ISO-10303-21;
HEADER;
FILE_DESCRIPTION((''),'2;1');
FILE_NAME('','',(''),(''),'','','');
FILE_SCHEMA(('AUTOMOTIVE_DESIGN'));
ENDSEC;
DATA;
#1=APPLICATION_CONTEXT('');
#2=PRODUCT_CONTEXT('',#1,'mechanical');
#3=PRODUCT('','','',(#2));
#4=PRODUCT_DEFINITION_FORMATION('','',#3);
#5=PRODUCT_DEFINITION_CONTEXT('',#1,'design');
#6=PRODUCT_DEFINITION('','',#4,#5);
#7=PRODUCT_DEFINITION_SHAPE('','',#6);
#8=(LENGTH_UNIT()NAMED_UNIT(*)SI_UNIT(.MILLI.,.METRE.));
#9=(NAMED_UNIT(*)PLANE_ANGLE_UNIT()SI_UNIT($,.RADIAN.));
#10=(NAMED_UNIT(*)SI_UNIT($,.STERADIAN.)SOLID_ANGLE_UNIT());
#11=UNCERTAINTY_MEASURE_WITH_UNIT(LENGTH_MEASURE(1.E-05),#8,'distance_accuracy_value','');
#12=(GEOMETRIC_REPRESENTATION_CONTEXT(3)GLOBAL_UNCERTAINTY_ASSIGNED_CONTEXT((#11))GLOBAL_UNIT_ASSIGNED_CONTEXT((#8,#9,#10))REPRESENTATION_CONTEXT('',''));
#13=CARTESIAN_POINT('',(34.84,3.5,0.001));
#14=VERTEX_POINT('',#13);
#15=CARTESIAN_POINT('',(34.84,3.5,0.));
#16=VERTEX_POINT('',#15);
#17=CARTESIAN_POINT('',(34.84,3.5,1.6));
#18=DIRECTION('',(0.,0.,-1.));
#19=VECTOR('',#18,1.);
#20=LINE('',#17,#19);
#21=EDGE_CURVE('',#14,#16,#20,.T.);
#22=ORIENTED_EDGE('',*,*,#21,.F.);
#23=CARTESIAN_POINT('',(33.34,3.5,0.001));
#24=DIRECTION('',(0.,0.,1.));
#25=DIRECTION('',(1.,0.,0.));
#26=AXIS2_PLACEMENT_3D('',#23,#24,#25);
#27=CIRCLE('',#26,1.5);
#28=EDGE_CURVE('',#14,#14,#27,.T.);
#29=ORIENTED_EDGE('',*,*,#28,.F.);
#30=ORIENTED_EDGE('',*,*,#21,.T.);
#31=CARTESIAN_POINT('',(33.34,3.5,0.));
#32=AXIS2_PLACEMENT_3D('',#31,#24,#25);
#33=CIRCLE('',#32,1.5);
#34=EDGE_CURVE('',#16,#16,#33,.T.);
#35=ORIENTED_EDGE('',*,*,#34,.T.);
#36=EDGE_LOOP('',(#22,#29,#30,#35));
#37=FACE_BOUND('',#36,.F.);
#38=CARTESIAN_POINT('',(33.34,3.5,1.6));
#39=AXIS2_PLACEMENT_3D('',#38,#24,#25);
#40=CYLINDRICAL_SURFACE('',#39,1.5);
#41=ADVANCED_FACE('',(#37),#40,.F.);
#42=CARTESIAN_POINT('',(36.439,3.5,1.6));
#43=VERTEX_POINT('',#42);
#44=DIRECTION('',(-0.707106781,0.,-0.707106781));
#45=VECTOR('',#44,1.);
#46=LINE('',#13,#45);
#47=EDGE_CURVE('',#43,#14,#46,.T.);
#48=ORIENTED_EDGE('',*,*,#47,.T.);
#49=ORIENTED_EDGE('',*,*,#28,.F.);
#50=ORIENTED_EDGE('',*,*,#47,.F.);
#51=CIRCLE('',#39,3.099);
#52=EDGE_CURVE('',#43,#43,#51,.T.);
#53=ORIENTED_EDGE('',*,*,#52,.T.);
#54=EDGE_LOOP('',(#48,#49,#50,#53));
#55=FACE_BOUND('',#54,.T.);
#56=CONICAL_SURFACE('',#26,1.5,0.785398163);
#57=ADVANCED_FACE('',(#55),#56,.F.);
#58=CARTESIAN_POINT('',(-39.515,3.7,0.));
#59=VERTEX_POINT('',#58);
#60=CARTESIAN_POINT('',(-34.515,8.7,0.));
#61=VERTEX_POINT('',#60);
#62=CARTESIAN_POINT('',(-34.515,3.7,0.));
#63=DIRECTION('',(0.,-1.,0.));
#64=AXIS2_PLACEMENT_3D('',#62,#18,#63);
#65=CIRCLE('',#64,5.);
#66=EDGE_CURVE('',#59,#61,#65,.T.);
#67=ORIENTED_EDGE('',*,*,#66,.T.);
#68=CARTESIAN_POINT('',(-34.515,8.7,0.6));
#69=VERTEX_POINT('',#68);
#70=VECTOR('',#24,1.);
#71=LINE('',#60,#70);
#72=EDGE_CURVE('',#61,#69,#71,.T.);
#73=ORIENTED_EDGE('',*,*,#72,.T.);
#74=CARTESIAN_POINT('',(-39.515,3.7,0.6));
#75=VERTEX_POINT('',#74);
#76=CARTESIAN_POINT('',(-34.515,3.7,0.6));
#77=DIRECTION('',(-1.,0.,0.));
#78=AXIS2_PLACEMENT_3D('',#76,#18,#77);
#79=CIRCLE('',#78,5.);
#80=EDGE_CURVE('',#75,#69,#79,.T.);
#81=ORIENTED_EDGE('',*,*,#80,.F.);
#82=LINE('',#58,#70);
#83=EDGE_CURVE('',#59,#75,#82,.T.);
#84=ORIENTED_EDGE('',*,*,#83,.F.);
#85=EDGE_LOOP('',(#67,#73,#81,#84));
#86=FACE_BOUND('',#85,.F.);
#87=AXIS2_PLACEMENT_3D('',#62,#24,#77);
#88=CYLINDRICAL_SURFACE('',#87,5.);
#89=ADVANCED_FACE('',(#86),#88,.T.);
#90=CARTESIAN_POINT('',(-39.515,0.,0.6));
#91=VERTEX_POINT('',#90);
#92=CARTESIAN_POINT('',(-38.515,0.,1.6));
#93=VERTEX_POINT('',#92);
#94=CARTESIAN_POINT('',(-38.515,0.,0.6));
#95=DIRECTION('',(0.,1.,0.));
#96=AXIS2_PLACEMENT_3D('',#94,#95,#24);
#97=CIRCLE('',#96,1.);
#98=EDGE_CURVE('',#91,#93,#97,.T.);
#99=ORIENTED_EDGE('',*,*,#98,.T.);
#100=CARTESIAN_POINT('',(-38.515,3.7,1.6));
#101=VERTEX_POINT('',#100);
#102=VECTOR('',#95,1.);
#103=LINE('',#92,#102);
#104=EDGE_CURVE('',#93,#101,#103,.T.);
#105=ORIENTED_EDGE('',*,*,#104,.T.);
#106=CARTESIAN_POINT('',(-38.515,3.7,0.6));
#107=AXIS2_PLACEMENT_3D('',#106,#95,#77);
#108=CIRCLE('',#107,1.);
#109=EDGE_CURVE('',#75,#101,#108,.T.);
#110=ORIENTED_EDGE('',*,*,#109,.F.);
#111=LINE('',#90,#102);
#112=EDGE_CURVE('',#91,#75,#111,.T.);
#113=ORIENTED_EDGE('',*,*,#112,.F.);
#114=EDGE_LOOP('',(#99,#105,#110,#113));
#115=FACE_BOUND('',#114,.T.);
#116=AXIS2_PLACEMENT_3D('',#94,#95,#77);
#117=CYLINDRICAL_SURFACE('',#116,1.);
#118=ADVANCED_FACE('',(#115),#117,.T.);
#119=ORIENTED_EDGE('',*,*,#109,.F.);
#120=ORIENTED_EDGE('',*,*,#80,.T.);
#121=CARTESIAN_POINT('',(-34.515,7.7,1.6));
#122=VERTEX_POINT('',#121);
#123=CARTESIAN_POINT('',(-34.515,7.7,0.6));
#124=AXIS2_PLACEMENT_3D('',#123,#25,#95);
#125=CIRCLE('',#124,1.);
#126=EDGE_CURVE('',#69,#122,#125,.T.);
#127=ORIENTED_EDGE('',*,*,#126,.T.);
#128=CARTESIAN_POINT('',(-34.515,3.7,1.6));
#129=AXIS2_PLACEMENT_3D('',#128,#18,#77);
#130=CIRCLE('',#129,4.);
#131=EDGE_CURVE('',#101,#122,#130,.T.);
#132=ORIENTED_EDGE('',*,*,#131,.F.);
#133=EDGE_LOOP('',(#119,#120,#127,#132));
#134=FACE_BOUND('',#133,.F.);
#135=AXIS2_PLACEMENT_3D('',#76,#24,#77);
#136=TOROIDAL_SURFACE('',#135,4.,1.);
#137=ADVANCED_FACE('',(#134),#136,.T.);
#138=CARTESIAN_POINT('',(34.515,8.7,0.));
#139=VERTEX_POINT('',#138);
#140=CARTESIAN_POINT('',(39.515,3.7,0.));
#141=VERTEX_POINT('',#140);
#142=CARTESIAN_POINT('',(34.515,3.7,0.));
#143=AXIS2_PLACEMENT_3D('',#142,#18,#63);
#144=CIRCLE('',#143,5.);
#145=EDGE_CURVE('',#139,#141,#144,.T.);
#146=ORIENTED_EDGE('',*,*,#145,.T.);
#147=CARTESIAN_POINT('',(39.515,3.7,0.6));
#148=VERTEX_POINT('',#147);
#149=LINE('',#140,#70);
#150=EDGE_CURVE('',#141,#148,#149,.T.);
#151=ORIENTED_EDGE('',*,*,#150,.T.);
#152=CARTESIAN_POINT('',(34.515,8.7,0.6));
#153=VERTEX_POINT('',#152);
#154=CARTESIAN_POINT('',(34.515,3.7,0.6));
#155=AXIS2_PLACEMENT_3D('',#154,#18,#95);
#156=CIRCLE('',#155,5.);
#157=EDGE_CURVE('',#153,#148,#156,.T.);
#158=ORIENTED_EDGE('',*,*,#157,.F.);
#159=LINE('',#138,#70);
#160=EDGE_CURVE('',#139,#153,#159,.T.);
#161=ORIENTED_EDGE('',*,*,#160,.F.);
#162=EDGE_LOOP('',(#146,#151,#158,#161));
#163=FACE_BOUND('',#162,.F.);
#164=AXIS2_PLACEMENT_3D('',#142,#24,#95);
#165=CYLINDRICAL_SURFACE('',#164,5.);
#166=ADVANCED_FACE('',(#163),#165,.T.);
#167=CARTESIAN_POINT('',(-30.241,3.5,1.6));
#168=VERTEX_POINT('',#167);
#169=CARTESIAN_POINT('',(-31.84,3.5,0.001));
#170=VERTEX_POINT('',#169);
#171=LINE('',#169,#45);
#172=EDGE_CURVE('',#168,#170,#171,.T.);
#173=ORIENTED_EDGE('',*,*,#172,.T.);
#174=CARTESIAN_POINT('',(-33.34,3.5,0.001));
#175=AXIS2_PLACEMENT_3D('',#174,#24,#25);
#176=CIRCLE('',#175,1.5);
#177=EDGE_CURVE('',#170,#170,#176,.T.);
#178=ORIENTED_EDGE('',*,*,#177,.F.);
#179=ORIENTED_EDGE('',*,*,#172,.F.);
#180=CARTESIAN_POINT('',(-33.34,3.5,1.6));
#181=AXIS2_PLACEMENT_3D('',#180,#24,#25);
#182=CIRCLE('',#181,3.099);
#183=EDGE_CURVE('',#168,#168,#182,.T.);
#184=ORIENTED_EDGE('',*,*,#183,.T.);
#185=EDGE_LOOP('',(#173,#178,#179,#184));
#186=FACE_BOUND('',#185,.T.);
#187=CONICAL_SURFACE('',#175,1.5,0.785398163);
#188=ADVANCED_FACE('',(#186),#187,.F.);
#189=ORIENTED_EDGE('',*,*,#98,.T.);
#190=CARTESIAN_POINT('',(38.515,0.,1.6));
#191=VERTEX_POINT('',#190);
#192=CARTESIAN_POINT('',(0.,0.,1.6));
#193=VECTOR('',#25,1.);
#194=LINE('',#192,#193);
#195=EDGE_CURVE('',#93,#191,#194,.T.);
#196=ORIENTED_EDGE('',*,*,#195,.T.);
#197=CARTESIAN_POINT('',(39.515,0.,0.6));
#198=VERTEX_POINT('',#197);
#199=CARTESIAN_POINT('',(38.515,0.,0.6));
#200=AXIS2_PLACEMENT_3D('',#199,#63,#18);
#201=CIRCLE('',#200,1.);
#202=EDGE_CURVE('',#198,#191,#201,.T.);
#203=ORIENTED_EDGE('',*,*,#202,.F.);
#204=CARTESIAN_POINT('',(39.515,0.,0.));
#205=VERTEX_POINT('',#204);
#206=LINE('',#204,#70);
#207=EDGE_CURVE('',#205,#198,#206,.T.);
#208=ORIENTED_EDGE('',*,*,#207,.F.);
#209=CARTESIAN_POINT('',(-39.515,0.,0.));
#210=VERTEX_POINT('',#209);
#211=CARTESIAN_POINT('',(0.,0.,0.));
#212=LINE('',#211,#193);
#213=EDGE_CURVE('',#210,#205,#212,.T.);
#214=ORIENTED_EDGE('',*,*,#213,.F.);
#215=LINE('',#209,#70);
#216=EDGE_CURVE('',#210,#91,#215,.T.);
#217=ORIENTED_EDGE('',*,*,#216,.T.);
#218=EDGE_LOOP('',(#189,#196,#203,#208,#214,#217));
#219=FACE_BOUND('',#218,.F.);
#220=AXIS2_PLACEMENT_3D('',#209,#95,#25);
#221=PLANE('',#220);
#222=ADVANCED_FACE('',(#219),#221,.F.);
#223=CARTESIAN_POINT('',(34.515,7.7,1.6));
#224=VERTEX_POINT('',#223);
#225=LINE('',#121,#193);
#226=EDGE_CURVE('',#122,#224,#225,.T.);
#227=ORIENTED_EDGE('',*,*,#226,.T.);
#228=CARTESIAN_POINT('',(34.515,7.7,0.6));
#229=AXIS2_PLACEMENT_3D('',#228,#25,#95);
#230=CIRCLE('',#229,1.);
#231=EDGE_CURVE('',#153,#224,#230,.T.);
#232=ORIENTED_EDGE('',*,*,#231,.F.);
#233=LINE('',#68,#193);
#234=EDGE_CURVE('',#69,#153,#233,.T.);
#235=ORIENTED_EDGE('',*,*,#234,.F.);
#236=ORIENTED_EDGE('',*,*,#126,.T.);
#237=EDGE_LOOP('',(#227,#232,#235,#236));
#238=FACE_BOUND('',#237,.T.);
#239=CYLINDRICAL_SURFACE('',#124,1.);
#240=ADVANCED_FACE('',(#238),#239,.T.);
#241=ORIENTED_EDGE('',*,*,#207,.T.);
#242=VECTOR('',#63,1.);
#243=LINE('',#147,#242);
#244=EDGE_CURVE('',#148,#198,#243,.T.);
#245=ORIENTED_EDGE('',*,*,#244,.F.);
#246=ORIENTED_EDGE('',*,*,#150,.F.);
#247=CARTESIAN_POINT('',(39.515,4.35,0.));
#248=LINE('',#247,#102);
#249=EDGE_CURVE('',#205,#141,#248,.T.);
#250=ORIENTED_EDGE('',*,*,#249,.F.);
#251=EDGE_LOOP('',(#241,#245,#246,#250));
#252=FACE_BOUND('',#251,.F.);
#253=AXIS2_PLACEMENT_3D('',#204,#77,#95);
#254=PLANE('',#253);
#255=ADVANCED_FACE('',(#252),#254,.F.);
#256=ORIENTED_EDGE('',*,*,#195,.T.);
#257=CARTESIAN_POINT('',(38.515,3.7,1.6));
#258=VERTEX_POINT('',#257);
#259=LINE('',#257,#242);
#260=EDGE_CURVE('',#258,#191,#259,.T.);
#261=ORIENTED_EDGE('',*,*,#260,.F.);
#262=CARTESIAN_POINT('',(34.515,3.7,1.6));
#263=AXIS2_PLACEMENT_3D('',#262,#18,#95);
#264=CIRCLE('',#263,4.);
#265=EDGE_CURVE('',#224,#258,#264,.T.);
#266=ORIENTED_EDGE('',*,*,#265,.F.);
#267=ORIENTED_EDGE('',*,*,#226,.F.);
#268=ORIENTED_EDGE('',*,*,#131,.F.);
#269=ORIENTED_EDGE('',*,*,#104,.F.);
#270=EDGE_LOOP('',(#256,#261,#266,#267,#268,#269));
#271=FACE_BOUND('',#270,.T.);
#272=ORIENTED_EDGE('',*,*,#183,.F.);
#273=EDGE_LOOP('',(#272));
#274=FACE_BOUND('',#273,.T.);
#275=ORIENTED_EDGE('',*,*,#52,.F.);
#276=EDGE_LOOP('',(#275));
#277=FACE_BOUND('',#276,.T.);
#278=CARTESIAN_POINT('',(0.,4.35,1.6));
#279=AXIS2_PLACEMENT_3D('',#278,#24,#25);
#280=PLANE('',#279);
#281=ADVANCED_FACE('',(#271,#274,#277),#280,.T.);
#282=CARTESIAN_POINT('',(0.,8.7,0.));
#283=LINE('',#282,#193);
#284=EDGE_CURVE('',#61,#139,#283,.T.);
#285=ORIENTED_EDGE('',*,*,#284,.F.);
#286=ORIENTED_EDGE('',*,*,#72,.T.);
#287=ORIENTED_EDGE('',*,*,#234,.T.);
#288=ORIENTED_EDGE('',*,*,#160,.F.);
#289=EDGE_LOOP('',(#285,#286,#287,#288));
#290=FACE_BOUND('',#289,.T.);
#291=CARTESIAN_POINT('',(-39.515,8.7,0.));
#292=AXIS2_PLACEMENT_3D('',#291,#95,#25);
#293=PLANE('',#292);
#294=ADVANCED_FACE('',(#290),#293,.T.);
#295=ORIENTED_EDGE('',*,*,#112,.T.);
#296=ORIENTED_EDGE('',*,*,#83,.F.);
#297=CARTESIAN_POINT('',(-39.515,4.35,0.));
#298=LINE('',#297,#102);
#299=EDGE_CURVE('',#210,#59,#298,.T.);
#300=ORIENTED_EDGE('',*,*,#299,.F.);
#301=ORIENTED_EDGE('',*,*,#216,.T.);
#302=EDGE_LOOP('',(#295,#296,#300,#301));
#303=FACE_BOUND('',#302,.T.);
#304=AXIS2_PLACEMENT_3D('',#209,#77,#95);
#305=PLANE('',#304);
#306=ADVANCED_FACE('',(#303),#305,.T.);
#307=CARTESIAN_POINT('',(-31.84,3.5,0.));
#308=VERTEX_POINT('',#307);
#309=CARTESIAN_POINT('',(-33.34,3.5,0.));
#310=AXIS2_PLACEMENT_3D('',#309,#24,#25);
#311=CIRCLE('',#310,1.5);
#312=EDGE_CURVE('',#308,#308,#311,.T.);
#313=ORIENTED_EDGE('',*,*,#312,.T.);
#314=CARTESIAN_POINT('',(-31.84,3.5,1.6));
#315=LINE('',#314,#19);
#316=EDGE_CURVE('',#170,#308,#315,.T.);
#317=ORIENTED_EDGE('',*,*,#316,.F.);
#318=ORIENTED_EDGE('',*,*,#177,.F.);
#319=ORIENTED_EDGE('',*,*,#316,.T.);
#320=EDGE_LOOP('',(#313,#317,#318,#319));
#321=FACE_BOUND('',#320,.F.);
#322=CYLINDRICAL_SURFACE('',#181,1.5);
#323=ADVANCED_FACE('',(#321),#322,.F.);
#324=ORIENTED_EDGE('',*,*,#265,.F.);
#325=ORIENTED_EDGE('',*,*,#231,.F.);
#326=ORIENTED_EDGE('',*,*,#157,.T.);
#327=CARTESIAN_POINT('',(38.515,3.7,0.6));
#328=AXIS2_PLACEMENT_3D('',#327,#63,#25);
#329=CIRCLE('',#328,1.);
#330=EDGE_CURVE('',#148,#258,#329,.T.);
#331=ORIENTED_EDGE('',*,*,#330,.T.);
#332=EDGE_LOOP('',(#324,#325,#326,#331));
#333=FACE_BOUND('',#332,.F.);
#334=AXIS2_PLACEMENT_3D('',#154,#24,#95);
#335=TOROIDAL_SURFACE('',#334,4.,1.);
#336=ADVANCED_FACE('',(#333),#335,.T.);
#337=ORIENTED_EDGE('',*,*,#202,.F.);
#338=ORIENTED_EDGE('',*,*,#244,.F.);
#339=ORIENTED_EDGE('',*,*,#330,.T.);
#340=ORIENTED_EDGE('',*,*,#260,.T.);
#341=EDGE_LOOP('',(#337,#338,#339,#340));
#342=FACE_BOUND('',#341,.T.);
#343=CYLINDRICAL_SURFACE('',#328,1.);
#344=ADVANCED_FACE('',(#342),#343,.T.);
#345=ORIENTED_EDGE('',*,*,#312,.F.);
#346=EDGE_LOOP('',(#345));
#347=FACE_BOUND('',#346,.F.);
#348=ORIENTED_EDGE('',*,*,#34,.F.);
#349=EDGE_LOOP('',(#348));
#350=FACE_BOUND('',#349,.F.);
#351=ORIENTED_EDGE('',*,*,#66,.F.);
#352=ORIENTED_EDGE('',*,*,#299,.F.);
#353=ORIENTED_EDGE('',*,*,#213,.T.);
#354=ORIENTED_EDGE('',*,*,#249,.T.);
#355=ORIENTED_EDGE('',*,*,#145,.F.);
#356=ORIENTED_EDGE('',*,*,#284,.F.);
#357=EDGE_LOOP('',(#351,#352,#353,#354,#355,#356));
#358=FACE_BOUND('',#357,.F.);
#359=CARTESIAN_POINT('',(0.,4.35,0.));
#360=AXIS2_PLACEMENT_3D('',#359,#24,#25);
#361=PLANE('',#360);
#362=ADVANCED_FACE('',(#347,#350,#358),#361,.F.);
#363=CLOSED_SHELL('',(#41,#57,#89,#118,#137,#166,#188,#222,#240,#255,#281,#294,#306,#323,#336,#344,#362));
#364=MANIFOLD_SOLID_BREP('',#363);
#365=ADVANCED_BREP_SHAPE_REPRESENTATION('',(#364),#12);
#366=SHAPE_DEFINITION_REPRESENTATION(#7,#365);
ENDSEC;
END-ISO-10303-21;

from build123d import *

# Parameters (mm, degrees)
SKETCH_W     = 79.03
SKETCH_H     = 8.7
PAD_DEPTH    = 1.6
SKETCH001_R  = 1.5
POCKET_DEPTH = 1.601
FILLET_R     = 5
FILLET001_R  = 1
CHAMFER_SIZE = 1.599


with BuildPart() as part:
    # Sketch → Pad (new body)
    with BuildSketch(Plane.XY):
        with Locations((0, 4.35)):
            Rectangle(SKETCH_W, SKETCH_H)
    extrude(amount=PAD_DEPTH)

    # Sketch001 (on Face6 of Pad) → Pocket (cut, through all)
    with BuildSketch(Plane.XY.offset(1.6)):
        with Locations((-33.34, 3.5)):
            Circle(SKETCH001_R)
        with Locations((33.34, 3.5)):
            Circle(SKETCH001_R)
    extrude(amount=-POCKET_DEPTH, mode=Mode.SUBTRACT)

    # Fillet
    fillet_edges = [part.edges().sort_by_distance(p)[0] for p in [
        (39.515, 8.7, 0.8),
        (-39.515, 8.7, 0.8),
    ]]
    fillet(fillet_edges, radius=FILLET_R)

    # Fillet001
    fillet001_edges = [part.edges().sort_by_distance(p)[0] for p in [
        (-38.050534, 7.235534, 1.6),
    ]]
    fillet(fillet001_edges, radius=FILLET001_R)

    # Chamfer
    chamfer_edges = [part.edges().sort_by_distance(p)[0] for p in [
        (31.84, 3.5, 1.6),
        (-34.84, 3.5, 1.6),
    ]]
    chamfer(chamfer_edges, length=CHAMFER_SIZE)


solid = part.part
